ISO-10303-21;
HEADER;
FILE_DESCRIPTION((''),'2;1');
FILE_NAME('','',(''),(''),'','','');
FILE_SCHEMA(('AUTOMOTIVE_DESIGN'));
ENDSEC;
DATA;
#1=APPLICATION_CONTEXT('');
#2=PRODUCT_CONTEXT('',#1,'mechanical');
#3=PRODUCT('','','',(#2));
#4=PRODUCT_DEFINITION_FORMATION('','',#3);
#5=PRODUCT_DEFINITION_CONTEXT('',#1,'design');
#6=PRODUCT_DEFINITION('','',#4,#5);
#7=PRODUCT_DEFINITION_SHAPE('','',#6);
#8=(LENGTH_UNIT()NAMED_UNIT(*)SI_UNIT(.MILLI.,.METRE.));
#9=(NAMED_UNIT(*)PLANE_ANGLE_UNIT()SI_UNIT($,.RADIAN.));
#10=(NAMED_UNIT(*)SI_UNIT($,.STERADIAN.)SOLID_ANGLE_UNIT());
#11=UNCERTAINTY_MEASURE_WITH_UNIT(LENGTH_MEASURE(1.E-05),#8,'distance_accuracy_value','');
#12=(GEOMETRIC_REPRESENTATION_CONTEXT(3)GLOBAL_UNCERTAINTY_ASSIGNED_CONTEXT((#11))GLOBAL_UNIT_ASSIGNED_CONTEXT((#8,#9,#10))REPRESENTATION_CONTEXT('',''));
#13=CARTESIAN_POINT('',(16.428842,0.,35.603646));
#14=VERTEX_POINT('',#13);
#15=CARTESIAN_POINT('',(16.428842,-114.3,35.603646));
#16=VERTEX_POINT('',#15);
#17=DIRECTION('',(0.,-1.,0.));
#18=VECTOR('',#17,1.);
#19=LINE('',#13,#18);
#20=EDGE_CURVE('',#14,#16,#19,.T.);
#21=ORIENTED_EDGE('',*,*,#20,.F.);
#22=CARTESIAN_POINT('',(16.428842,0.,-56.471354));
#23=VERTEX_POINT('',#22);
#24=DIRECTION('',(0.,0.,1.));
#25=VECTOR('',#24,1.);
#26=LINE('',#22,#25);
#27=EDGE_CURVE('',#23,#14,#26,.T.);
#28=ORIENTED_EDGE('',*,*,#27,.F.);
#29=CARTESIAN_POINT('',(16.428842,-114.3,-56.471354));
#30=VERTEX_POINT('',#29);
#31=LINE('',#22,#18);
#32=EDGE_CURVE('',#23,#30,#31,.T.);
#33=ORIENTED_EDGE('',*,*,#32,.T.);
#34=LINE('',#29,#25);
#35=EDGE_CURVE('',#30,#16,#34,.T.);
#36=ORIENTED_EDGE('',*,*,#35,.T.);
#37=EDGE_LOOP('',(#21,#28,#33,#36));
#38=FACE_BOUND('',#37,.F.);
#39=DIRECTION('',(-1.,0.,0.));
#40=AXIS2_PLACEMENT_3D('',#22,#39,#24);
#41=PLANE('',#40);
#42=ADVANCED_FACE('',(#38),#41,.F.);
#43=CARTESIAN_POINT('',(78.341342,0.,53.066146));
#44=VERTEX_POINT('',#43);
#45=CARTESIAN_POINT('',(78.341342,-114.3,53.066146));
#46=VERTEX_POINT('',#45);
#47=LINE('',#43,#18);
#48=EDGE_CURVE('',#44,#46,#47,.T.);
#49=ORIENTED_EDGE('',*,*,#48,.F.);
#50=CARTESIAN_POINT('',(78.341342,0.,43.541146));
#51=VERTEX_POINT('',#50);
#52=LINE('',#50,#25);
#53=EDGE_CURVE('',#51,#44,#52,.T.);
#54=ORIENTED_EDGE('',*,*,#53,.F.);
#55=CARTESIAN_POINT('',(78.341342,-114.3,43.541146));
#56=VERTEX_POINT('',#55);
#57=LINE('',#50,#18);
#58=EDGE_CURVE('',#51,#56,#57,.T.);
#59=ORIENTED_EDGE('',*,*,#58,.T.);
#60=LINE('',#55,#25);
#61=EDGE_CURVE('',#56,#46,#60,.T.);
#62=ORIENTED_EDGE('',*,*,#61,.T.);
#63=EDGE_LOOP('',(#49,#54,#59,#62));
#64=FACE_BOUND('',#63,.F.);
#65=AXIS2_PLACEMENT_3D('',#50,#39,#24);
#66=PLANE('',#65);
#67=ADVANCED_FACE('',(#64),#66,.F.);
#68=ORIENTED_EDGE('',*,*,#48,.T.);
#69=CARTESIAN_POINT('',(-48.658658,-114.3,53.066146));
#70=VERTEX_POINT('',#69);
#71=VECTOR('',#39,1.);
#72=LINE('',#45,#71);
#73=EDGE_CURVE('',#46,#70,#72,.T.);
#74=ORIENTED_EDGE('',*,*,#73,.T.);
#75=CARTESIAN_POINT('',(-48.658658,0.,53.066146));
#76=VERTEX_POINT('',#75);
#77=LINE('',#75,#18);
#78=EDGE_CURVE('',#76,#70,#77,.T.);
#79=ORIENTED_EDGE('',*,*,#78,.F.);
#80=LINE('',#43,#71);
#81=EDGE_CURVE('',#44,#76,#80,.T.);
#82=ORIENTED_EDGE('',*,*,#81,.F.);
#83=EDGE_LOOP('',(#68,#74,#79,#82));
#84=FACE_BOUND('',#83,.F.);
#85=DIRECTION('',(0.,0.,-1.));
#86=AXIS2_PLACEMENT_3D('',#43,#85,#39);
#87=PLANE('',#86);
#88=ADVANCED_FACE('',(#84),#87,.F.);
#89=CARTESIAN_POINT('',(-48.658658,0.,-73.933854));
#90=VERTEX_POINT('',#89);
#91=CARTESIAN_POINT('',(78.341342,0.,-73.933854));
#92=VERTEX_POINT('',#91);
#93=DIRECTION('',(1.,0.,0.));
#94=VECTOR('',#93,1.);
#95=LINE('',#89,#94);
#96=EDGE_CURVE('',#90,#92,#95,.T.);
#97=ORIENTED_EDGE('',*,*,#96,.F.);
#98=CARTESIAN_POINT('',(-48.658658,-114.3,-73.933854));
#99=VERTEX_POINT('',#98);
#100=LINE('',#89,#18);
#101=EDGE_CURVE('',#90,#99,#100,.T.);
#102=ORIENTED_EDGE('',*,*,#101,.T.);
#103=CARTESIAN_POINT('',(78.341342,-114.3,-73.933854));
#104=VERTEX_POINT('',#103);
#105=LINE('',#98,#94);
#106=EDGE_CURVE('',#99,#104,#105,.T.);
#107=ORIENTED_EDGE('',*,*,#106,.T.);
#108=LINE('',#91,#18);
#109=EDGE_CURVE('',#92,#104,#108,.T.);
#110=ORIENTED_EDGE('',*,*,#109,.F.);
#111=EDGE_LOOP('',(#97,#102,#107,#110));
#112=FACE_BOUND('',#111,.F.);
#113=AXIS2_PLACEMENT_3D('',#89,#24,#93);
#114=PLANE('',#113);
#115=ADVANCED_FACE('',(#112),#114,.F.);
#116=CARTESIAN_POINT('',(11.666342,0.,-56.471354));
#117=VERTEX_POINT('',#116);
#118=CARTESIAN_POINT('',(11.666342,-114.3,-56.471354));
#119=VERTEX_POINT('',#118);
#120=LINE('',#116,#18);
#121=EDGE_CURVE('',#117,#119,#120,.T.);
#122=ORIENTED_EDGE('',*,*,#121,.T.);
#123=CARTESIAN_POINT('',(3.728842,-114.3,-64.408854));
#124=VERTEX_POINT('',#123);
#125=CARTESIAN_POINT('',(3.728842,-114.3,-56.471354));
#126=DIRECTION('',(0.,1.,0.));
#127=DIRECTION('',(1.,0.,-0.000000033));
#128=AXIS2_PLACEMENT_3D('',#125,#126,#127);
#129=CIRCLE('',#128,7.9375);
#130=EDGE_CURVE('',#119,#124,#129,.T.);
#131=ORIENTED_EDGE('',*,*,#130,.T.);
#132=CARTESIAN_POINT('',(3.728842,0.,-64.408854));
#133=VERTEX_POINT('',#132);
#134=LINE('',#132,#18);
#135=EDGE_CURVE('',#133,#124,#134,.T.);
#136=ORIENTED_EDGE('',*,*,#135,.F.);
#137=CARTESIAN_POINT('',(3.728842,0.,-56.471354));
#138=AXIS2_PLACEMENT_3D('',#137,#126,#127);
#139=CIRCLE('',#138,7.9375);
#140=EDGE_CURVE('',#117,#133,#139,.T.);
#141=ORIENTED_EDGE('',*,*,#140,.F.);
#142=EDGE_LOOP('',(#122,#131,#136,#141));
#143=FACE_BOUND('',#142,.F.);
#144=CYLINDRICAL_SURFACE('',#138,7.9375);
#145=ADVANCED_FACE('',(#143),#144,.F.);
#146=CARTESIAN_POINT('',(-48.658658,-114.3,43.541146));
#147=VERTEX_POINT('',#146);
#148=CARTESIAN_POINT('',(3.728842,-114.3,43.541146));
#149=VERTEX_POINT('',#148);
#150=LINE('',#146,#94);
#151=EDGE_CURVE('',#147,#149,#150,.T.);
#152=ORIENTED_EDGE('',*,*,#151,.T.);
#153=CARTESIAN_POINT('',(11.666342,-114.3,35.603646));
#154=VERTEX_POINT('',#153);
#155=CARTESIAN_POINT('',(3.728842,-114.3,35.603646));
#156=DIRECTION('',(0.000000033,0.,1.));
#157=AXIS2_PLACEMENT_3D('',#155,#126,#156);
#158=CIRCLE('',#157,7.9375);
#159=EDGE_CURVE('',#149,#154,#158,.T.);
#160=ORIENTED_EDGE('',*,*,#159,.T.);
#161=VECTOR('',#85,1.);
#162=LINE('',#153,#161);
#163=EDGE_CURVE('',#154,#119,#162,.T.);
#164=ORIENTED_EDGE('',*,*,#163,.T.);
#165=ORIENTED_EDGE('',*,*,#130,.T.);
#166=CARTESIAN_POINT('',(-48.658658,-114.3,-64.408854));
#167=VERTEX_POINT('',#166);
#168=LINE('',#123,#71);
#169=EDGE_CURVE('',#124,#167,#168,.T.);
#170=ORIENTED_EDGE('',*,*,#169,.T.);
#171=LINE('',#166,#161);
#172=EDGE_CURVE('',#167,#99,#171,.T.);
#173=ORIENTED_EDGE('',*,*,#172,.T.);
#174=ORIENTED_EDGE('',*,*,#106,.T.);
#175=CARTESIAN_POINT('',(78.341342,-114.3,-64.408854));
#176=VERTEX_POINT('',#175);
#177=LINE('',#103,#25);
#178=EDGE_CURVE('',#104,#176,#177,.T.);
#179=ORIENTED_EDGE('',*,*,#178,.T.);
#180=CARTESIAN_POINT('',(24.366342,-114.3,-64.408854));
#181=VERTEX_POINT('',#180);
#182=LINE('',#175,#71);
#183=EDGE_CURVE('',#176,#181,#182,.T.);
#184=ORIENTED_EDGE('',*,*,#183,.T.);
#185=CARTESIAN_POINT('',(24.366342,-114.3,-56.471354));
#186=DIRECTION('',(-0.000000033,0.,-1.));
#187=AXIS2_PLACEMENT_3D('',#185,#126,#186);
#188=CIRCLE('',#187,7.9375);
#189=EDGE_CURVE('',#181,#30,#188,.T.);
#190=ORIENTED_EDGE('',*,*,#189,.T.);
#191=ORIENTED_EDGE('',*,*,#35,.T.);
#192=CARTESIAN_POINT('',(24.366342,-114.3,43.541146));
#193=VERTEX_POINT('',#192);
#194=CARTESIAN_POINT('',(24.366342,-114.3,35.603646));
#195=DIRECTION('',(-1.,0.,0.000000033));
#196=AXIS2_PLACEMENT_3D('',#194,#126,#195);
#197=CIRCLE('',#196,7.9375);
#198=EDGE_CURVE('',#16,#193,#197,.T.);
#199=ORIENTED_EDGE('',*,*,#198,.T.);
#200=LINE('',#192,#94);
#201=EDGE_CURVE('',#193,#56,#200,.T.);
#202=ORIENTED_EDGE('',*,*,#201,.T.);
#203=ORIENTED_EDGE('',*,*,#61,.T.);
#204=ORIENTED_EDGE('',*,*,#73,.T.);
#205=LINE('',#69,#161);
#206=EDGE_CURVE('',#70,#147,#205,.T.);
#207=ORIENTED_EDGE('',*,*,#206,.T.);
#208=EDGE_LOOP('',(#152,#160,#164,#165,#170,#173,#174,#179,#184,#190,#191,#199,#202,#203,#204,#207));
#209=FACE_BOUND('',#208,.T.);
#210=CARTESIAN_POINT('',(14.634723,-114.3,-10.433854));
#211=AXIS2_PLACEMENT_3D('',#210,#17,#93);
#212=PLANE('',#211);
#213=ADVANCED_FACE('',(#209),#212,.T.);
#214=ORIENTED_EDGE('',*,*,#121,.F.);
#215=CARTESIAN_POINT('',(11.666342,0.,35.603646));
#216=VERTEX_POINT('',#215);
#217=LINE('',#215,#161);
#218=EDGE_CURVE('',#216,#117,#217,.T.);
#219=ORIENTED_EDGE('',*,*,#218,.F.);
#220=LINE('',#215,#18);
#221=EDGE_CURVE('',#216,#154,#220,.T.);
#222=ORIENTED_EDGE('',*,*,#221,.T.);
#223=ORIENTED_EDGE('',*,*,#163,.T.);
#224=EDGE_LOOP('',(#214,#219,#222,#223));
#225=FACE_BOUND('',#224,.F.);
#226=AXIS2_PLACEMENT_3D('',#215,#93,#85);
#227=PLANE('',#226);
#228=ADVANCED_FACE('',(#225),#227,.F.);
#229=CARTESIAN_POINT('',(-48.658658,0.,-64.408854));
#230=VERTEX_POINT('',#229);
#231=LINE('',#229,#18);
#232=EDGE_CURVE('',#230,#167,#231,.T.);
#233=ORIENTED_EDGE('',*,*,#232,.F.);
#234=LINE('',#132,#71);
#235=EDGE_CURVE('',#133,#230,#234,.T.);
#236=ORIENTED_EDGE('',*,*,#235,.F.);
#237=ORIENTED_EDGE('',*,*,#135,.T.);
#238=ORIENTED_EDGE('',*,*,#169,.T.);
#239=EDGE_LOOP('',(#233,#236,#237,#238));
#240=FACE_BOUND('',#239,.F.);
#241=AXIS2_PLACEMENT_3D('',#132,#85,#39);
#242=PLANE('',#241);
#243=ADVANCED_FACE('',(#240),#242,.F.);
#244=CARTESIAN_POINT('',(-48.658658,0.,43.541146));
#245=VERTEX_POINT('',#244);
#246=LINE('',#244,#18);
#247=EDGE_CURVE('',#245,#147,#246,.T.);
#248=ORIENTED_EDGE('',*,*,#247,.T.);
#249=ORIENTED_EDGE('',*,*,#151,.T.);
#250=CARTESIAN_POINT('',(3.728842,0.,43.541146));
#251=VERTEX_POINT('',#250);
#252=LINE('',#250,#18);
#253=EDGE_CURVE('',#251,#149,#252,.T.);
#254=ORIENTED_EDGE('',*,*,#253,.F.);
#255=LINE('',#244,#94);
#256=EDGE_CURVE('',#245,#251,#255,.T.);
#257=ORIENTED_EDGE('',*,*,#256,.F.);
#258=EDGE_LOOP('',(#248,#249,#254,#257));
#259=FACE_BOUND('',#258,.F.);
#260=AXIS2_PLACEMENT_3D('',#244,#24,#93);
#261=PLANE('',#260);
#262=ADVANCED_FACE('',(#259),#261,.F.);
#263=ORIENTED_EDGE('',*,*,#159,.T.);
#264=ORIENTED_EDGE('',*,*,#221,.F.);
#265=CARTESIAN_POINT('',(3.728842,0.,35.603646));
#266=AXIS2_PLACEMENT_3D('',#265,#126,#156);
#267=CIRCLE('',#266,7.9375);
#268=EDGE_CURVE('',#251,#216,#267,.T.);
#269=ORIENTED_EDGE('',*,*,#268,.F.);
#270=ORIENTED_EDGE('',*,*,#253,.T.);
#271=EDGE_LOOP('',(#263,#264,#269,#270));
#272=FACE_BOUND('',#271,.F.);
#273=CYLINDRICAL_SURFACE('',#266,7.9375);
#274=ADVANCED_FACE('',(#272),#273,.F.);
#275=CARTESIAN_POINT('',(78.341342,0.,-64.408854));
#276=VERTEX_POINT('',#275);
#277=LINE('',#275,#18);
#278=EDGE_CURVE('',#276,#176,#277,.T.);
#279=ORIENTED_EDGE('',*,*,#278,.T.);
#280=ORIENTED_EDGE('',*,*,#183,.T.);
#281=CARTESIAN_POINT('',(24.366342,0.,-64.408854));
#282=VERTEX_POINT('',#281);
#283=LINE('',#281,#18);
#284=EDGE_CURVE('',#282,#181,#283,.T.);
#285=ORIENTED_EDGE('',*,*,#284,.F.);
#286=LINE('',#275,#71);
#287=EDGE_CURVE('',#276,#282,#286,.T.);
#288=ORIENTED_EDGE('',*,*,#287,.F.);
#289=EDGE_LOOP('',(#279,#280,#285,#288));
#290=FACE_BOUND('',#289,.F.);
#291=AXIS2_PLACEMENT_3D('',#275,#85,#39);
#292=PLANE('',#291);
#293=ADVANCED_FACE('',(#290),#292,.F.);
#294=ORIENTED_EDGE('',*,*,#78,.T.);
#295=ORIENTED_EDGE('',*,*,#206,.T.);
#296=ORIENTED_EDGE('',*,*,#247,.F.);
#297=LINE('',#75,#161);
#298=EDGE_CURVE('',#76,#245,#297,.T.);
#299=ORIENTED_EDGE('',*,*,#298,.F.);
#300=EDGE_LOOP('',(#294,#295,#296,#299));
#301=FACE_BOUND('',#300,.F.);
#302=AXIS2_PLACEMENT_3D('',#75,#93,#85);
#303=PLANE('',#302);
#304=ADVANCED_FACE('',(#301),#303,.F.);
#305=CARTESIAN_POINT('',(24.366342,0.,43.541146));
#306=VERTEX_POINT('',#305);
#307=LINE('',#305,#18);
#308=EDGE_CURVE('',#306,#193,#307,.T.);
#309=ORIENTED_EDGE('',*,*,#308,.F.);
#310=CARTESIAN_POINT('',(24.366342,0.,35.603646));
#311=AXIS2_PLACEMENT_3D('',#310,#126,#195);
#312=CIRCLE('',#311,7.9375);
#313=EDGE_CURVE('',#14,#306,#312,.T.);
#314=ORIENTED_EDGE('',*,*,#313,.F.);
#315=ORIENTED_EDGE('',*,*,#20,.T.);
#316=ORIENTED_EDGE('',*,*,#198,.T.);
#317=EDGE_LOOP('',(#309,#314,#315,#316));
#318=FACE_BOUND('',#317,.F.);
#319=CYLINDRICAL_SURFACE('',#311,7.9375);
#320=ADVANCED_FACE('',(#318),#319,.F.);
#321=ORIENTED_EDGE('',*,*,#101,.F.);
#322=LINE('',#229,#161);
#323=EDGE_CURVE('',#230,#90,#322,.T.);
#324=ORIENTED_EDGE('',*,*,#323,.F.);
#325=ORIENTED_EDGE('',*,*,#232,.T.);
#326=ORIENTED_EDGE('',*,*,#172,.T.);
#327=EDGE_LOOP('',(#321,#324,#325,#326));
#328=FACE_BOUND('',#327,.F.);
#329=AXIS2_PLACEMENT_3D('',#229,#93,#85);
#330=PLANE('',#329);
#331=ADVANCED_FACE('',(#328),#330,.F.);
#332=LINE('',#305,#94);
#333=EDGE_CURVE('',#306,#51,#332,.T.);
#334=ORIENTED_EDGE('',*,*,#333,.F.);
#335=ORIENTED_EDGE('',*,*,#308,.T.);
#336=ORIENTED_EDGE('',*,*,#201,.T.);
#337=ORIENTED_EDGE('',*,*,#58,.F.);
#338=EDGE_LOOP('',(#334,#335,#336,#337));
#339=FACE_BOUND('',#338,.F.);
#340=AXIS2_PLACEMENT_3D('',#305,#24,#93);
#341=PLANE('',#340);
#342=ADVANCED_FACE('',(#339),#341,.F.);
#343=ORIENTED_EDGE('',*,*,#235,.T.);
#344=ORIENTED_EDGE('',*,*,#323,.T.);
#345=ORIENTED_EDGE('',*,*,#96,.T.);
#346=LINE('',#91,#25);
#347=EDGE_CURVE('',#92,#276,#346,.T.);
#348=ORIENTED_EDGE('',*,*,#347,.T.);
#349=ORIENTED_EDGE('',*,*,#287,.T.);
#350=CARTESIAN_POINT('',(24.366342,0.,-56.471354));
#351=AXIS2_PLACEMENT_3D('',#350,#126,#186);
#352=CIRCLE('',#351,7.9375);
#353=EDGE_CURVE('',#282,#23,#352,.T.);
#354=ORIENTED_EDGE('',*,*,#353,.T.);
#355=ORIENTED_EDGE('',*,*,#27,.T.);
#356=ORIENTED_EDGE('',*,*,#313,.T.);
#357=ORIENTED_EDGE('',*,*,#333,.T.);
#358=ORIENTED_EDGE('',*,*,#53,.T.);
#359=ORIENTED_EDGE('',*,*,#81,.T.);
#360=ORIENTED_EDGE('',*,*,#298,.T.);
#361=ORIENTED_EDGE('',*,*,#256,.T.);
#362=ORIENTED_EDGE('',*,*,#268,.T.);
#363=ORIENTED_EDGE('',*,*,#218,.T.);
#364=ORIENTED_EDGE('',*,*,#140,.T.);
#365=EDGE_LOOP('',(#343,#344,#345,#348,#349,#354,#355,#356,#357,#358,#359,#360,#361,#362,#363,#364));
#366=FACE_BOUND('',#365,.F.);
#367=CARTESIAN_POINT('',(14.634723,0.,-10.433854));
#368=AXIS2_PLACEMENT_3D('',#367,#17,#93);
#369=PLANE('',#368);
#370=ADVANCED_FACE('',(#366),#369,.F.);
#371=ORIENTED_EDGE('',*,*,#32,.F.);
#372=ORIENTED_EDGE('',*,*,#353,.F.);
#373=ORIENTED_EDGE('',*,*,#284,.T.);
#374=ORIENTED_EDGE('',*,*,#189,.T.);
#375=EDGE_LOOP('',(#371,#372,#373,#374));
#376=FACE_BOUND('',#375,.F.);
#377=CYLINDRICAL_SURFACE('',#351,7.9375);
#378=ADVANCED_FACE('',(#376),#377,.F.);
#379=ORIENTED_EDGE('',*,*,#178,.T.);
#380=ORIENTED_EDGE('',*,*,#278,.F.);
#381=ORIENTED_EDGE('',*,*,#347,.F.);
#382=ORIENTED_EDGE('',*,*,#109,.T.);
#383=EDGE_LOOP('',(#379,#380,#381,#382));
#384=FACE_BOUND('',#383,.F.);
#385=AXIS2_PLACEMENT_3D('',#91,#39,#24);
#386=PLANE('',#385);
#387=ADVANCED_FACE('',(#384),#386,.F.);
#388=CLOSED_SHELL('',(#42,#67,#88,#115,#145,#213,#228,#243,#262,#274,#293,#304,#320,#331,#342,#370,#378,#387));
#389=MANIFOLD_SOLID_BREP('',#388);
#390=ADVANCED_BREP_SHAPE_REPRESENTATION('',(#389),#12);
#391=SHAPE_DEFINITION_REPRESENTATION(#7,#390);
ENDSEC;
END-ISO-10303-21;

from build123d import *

# Parameters (mm, degrees)
F1_DEPTH = 114.3


with BuildPart() as f1:
    # F0 (on Front) → F1 (new body)
    with BuildSketch(Plane.XZ):
        with BuildLine():
            Line((78.341342, 53.066146), (-48.658658, 53.066146))
            Line((-48.658658, 53.066146), (-48.658658, 43.541146))
            Line((-48.658658, 43.541146), (3.728842, 43.541146))
            ThreePointArc((3.728842, 43.541146), (9.341502, 41.216306), (11.666342, 35.603646))
            Line((11.666342, 35.603646), (11.666342, -56.471354))
            ThreePointArc((11.666342, -56.471354), (9.341502, -62.084014), (3.728842, -64.408854))
            Line((3.728842, -64.408854), (-48.658658, -64.408854))
            Line((-48.658658, -64.408854), (-48.658658, -73.933854))
            Line((-48.658658, -73.933854), (78.341342, -73.933854))
            Line((78.341342, -73.933854), (78.341342, -64.408854))
            Line((78.341342, -64.408854), (24.366342, -64.408854))
            ThreePointArc((24.366342, -64.408854), (18.753682, -62.084014), (16.428842, -56.471354))
            Line((16.428842, -56.471354), (16.428842, 35.603646))
            ThreePointArc((16.428842, 35.603646), (18.753682, 41.216306), (24.366342, 43.541146))
            Line((24.366342, 43.541146), (78.341342, 43.541146))
            Line((78.341342, 43.541146), (78.341342, 53.066146))
        make_face()
    extrude(amount=F1_DEPTH)


solid = f1.part
